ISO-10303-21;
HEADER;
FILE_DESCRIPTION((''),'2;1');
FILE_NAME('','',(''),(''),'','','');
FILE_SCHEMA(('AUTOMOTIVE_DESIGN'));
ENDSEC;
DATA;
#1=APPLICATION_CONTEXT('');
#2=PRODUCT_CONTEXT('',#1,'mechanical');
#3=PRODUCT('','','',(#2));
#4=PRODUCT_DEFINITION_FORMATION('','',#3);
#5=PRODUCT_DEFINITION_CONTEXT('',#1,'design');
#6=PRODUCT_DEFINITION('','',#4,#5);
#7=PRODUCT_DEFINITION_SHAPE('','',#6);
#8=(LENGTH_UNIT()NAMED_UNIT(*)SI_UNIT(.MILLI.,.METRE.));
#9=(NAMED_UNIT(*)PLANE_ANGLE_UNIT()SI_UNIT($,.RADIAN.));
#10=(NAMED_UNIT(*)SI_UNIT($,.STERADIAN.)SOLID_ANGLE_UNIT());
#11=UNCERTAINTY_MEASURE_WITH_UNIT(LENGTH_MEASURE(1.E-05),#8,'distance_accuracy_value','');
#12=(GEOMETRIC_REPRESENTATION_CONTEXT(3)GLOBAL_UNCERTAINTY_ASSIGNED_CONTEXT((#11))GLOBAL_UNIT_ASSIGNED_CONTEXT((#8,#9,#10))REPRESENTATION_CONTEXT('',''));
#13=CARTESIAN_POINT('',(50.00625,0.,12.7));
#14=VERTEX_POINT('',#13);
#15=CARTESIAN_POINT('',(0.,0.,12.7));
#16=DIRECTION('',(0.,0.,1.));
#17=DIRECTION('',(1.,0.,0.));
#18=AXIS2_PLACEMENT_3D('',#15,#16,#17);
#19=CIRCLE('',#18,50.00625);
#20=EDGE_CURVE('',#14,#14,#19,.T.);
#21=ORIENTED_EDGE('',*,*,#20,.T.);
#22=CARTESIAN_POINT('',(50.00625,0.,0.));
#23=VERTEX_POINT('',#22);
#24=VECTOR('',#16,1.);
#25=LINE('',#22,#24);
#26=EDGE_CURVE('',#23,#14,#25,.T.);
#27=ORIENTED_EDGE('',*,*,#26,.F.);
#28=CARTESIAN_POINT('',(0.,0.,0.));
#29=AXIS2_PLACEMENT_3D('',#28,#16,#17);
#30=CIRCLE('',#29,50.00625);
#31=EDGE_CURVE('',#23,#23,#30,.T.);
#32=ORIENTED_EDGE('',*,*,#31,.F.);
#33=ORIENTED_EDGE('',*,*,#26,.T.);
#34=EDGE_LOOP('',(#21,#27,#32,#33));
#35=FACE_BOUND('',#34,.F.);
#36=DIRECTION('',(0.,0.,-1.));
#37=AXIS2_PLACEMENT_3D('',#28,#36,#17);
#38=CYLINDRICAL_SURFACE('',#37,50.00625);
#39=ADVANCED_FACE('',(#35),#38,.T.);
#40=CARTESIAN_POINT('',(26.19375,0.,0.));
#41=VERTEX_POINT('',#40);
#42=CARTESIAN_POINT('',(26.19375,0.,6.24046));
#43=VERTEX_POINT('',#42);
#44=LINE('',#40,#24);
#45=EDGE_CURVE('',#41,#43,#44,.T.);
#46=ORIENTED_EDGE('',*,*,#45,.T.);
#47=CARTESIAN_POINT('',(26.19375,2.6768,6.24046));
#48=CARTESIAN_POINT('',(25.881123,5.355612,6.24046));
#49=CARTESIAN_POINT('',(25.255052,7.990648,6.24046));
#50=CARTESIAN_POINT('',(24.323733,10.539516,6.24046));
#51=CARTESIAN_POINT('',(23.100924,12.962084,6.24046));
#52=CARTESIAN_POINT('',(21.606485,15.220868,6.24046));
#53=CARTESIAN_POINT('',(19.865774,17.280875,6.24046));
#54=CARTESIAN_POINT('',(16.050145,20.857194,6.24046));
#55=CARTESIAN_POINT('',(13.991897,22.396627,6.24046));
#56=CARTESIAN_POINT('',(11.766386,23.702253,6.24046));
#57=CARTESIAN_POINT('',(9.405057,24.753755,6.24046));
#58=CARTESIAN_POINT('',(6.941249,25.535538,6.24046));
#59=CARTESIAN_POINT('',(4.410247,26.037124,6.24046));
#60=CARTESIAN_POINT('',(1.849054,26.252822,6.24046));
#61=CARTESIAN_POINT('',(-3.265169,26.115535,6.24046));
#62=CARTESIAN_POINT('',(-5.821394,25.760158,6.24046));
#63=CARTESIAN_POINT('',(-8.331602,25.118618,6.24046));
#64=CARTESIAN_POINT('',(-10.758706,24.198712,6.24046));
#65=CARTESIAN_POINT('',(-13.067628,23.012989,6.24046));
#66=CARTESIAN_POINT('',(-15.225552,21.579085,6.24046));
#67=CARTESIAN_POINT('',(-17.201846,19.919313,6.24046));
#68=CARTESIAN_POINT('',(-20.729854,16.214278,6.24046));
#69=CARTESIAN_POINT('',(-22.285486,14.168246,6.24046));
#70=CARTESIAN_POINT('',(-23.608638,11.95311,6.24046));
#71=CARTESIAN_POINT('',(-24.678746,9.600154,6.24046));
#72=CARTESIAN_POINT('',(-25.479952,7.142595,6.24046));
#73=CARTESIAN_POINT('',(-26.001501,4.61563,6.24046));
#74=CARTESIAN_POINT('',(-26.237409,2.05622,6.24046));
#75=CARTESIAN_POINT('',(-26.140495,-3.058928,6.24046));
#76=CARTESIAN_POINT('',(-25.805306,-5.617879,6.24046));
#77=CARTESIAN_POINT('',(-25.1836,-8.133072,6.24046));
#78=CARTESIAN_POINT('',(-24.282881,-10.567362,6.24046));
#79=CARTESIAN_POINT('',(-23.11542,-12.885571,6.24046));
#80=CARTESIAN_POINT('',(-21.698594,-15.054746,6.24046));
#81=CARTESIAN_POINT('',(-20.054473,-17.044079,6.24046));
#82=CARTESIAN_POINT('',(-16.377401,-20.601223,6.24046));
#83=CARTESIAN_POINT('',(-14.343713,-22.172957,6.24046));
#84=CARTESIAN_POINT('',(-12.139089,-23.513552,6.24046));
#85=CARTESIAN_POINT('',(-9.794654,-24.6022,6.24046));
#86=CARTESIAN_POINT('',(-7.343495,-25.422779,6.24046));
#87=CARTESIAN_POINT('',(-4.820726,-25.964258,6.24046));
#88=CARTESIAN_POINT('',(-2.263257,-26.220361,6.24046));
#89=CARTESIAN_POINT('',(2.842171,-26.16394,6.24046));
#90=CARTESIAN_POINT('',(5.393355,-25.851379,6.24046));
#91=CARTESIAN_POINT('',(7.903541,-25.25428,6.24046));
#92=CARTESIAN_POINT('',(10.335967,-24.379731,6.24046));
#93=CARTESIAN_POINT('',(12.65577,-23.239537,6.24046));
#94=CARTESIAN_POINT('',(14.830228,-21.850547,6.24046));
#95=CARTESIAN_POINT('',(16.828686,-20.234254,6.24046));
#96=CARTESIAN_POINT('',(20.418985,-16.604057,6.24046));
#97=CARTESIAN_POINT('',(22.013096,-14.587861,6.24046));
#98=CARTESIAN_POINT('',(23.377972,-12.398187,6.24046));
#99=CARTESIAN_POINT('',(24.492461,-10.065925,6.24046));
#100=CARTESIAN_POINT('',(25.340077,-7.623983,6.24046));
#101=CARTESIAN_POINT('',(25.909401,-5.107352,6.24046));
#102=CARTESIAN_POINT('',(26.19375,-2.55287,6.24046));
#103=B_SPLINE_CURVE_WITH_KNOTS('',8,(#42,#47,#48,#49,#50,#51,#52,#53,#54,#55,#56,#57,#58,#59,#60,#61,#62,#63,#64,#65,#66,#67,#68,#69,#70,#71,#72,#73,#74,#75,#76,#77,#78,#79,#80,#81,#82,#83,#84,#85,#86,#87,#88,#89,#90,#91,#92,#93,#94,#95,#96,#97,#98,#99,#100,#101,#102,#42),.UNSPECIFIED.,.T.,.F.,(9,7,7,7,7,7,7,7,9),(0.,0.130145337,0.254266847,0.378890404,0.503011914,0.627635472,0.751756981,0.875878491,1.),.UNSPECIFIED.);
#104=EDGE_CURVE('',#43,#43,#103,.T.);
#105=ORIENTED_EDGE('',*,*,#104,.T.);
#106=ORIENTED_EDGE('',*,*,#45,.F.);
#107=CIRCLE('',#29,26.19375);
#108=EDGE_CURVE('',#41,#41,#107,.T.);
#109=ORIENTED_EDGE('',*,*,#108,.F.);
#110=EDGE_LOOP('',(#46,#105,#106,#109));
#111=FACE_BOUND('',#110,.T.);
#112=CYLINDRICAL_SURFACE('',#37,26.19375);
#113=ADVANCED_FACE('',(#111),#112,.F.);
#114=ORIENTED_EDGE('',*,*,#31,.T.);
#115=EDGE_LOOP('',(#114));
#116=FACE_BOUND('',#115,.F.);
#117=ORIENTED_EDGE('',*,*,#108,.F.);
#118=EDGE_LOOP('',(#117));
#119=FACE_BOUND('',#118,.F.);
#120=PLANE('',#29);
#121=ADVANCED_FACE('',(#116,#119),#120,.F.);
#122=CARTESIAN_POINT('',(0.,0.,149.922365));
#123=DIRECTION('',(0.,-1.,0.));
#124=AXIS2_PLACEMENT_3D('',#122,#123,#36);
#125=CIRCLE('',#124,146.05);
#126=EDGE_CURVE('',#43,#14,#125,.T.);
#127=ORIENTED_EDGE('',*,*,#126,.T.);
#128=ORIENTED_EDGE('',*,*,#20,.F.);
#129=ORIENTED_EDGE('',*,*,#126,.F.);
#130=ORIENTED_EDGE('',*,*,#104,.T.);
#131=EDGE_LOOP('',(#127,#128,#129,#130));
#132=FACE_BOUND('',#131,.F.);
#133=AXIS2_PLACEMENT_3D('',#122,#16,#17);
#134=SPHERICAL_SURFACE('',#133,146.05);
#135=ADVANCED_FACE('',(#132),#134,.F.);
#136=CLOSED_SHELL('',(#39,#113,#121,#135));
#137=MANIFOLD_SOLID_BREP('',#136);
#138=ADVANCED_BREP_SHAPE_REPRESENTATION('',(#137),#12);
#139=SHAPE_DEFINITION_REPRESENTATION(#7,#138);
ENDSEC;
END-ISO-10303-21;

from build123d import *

# Parameters (mm, degrees)
F0_R     = 50.00625
F0_R_2   = 26.19375
F1_DEPTH = 12.7


with BuildPart() as f1:
    # F0 (on Top) → F1 (new body)
    with BuildSketch(Plane.XY):
        Circle(F0_R)
        Circle(F0_R_2, mode=Mode.SUBTRACT)
    extrude(amount=F1_DEPTH)

    # F2 (on Front) → F3 (revolve, cut)
    with BuildSketch(Plane.XZ):
        with BuildLine():
            Line((0, 12.7), (0, 3.8723650173))
            ThreePointArc((0, 3.8723650173), (25.3897232087, 6.0962044783), (50.00625, 12.7))
            Line((50.00625, 12.7), (0, 12.7))
        make_face()
        with BuildLine():
            Line((0, 12.7), (50.00625, 12.7))
            ThreePointArc((50.00625, 12.7), (143.826160539, 175.312088226), (0, 295.9723650173))
            Line((0, 295.9723650173), (0, 12.7))
        make_face()
    revolve(axis=Axis((0, 0, 149.9223650173), (0, 0, 1)), mode=Mode.SUBTRACT)


solid = f1.part
